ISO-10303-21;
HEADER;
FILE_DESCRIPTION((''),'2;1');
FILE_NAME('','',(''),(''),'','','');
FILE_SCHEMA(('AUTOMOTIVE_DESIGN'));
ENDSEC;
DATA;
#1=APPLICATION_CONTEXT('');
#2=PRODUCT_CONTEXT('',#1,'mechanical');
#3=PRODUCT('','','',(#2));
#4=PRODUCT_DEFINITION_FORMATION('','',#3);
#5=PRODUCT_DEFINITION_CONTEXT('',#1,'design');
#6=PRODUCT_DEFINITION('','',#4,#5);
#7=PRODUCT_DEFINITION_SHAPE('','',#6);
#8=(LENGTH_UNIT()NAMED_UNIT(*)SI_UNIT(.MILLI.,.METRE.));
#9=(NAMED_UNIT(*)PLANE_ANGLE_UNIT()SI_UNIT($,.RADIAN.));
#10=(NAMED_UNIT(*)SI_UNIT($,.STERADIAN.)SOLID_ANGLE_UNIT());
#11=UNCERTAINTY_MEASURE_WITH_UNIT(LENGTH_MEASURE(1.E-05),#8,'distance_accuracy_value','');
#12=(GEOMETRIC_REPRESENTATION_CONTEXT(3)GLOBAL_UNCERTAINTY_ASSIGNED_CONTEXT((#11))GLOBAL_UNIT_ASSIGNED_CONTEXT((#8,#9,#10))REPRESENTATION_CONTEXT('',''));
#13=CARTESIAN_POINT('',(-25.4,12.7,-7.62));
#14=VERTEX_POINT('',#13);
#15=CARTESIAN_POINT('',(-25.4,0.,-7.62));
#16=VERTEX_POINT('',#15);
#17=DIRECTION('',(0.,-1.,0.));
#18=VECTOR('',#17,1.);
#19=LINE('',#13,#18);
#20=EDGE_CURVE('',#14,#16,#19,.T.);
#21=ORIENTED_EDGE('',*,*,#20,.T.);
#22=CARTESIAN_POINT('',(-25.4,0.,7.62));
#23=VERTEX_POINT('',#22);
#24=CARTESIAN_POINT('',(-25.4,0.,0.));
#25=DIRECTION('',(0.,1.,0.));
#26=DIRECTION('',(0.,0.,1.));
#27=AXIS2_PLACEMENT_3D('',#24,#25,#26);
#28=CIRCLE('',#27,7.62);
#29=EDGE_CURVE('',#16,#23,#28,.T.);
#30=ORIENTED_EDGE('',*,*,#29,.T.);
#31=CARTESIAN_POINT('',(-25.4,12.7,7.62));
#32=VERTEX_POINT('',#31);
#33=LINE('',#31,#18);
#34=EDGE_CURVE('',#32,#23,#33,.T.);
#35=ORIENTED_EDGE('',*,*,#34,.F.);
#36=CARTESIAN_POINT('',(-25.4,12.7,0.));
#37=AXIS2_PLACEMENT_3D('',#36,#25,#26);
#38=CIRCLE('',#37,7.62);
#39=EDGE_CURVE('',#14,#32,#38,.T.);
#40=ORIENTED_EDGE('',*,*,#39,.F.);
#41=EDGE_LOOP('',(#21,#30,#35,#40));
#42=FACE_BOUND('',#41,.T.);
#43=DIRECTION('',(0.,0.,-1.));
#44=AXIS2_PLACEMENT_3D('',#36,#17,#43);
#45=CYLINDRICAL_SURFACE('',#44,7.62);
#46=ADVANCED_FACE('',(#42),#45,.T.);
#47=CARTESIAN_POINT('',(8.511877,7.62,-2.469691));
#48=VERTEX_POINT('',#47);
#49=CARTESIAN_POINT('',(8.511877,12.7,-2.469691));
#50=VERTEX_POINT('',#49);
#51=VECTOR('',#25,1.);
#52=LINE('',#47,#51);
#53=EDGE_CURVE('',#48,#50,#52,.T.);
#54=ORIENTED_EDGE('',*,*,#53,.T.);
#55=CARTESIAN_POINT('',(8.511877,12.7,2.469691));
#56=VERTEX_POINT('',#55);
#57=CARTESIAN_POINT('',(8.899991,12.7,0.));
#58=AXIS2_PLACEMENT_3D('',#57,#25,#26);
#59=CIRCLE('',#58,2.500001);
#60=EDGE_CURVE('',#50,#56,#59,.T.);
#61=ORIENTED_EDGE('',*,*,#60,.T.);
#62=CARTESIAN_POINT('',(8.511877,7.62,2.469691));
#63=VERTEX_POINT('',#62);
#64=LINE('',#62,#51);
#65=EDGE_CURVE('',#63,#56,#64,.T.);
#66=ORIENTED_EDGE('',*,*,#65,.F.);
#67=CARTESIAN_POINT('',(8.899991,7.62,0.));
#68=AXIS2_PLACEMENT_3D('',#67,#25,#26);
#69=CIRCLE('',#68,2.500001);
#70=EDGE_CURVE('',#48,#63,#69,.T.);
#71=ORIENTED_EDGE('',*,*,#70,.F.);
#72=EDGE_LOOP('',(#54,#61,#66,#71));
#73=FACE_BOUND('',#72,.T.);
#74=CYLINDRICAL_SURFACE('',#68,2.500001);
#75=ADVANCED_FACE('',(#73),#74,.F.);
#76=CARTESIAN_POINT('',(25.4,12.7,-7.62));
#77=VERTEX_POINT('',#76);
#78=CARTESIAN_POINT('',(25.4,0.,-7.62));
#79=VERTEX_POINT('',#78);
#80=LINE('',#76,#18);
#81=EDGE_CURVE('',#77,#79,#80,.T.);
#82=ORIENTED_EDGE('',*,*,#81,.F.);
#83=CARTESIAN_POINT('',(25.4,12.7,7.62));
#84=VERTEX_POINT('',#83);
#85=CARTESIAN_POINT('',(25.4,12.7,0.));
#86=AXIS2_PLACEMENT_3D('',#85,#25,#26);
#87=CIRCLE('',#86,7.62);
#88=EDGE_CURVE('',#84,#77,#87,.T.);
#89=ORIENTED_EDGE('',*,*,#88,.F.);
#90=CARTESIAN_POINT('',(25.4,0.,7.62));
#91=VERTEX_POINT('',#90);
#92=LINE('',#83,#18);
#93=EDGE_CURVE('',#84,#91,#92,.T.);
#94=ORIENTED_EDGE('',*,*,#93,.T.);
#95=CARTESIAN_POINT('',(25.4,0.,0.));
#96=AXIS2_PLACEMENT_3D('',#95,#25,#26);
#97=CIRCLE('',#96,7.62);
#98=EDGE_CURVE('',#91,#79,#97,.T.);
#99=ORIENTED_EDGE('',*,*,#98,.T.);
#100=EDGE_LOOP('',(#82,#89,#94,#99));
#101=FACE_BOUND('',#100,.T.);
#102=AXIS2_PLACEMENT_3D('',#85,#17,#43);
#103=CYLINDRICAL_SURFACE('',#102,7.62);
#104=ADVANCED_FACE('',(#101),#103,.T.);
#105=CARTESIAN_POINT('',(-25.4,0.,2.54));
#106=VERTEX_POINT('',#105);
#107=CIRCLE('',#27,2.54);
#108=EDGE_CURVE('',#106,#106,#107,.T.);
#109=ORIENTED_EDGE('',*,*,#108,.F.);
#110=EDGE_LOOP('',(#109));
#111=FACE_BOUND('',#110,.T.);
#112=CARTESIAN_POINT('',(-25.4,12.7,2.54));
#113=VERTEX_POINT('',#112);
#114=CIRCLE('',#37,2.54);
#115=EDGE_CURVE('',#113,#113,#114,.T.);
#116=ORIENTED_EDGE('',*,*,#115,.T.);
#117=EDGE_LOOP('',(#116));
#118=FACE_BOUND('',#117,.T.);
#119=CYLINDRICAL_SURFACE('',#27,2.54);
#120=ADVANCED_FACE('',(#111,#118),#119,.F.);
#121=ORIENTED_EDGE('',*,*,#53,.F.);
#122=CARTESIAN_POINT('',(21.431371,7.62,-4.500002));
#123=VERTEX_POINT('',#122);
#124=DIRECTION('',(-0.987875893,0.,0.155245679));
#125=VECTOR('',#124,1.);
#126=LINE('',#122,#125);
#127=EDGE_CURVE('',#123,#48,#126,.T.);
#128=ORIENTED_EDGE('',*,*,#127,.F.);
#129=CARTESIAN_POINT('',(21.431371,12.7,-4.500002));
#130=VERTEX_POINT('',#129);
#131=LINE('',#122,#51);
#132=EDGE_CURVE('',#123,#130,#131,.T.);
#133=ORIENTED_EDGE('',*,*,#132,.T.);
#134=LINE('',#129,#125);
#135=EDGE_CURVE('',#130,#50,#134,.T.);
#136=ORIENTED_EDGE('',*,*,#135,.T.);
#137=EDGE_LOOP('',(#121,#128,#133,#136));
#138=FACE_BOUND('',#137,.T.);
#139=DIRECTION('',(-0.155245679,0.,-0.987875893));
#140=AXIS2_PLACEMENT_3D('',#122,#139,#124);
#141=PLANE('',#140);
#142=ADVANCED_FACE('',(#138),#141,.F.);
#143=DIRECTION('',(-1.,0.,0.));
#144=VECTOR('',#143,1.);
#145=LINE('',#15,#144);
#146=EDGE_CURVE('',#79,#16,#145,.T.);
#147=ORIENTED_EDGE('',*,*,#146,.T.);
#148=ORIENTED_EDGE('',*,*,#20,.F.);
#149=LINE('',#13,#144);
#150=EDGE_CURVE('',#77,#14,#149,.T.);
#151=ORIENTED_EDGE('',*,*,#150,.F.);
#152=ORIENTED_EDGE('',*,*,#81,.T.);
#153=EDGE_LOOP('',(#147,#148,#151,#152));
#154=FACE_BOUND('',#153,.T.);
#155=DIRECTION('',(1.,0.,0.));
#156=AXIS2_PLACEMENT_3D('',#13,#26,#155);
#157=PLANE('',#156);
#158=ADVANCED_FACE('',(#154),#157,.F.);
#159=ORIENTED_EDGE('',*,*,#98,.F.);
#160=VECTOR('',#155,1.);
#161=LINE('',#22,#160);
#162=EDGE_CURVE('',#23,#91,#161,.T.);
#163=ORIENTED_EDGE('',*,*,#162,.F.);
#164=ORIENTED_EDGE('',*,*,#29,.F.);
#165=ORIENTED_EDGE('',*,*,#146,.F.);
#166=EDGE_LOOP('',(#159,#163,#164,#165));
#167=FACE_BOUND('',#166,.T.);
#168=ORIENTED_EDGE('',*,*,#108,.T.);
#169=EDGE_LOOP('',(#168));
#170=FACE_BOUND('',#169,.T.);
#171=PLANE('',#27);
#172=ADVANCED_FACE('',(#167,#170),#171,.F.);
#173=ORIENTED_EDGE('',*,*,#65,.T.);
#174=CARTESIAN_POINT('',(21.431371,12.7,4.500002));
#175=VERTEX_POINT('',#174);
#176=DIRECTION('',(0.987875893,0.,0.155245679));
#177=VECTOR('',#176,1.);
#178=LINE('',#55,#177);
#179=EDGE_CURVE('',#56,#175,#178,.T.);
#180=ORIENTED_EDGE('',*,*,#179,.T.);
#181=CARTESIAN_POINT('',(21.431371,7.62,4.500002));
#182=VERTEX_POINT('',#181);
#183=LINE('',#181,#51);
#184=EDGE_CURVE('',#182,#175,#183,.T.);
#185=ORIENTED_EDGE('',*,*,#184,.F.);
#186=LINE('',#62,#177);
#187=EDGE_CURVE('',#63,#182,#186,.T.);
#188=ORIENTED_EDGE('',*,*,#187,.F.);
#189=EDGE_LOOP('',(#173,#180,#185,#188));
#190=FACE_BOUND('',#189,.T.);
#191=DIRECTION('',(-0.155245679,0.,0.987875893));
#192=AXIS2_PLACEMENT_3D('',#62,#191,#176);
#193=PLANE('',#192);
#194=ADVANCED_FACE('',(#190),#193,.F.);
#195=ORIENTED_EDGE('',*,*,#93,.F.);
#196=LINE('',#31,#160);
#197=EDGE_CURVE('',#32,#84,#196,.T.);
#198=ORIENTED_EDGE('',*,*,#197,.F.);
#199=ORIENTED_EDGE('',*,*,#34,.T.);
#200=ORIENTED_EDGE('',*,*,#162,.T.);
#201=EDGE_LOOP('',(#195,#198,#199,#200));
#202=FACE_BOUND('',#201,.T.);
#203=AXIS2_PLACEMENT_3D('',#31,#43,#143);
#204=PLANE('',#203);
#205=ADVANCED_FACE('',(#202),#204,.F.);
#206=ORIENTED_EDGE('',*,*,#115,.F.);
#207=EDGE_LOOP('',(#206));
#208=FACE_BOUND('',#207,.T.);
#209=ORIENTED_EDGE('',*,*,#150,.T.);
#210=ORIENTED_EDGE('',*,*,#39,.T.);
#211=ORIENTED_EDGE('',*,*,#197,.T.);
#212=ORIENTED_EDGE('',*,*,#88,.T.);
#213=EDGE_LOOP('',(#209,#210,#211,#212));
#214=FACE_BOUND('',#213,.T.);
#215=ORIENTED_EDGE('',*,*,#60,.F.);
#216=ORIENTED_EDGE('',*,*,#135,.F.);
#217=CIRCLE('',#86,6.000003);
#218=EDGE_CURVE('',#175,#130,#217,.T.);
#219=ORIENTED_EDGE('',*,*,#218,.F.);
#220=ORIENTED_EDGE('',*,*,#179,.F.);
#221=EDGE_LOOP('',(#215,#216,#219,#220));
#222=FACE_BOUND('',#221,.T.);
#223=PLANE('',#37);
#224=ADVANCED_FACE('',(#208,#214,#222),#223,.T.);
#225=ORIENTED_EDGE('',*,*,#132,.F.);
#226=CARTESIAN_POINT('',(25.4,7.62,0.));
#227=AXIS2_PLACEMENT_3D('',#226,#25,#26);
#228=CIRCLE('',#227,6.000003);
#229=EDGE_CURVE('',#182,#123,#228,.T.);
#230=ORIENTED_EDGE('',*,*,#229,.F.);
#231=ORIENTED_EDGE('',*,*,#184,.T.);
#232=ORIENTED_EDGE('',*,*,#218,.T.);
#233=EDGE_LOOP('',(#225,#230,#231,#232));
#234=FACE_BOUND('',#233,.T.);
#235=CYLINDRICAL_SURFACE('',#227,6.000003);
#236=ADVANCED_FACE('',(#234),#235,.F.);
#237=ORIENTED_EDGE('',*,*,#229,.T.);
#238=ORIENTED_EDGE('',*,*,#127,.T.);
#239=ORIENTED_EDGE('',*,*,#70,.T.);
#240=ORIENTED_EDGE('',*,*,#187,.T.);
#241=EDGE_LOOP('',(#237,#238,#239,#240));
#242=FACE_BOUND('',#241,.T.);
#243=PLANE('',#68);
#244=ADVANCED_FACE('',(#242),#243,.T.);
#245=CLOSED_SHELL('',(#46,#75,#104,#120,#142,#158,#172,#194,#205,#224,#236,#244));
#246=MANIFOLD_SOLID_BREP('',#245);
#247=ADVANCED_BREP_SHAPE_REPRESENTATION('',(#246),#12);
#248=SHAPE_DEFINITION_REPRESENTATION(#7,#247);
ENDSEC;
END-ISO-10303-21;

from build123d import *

# Parameters (mm, degrees)
BOSS_EXTRUDE1_DEPTH = 12.7
SKETCH4_R           = 2.54
CUT_EXTRUDE3_DEPTH  = 37.189429396
CUT_EXTRUDE4_DEPTH  = 5.08


with BuildPart() as part:
    # Sketch3 → Boss-Extrude1 (new body)
    with BuildSketch(Plane(origin=(0, 0, 0), x_dir=(1, 0, 0), z_dir=(0, 1, 0))):
        with BuildLine():
            Line((-25.4, 7.62), (25.4, 7.62))
            ThreePointArc((25.4, 7.62), (33.02, 0), (25.4, -7.62))
            Line((25.4, -7.62), (-25.4, -7.62))
            ThreePointArc((-25.4, -7.62), (-33.02, 0), (-25.4, 7.62))
        make_face()
    extrude(amount=BOSS_EXTRUDE1_DEPTH)

    # Sketch4 → Cut-Extrude3 (cut, through all)
    with BuildSketch(Plane(origin=(0, 12.7, 0), x_dir=(1, 0, 0), z_dir=(0, 1, 0))):
        with Locations(Location((-25.4, 0, 0), (0, 0, 270))):
            Circle(SKETCH4_R)
    extrude(amount=-CUT_EXTRUDE3_DEPTH, mode=Mode.SUBTRACT)

    # Sketch5 → Cut-Extrude4 (cut)
    with BuildSketch(Plane(origin=(0, 12.7, 0), x_dir=(1, 0, 0), z_dir=(0, 1, 0))):
        with BuildLine():
            Line((8.511876683, -2.469691065), (21.43137089, -4.50000243))
            ThreePointArc((21.43137089, -4.50000243), (31.40000324, 0), (21.43137089, 4.50000243))
            Line((21.43137089, 4.50000243), (8.511876683, 2.469691065))
            ThreePointArc((8.511876683, 2.469691065), (6.39998974, 0), (8.511876683, -2.469691065))
        make_face()
    extrude(amount=-CUT_EXTRUDE4_DEPTH, mode=Mode.SUBTRACT)


solid = part.part
